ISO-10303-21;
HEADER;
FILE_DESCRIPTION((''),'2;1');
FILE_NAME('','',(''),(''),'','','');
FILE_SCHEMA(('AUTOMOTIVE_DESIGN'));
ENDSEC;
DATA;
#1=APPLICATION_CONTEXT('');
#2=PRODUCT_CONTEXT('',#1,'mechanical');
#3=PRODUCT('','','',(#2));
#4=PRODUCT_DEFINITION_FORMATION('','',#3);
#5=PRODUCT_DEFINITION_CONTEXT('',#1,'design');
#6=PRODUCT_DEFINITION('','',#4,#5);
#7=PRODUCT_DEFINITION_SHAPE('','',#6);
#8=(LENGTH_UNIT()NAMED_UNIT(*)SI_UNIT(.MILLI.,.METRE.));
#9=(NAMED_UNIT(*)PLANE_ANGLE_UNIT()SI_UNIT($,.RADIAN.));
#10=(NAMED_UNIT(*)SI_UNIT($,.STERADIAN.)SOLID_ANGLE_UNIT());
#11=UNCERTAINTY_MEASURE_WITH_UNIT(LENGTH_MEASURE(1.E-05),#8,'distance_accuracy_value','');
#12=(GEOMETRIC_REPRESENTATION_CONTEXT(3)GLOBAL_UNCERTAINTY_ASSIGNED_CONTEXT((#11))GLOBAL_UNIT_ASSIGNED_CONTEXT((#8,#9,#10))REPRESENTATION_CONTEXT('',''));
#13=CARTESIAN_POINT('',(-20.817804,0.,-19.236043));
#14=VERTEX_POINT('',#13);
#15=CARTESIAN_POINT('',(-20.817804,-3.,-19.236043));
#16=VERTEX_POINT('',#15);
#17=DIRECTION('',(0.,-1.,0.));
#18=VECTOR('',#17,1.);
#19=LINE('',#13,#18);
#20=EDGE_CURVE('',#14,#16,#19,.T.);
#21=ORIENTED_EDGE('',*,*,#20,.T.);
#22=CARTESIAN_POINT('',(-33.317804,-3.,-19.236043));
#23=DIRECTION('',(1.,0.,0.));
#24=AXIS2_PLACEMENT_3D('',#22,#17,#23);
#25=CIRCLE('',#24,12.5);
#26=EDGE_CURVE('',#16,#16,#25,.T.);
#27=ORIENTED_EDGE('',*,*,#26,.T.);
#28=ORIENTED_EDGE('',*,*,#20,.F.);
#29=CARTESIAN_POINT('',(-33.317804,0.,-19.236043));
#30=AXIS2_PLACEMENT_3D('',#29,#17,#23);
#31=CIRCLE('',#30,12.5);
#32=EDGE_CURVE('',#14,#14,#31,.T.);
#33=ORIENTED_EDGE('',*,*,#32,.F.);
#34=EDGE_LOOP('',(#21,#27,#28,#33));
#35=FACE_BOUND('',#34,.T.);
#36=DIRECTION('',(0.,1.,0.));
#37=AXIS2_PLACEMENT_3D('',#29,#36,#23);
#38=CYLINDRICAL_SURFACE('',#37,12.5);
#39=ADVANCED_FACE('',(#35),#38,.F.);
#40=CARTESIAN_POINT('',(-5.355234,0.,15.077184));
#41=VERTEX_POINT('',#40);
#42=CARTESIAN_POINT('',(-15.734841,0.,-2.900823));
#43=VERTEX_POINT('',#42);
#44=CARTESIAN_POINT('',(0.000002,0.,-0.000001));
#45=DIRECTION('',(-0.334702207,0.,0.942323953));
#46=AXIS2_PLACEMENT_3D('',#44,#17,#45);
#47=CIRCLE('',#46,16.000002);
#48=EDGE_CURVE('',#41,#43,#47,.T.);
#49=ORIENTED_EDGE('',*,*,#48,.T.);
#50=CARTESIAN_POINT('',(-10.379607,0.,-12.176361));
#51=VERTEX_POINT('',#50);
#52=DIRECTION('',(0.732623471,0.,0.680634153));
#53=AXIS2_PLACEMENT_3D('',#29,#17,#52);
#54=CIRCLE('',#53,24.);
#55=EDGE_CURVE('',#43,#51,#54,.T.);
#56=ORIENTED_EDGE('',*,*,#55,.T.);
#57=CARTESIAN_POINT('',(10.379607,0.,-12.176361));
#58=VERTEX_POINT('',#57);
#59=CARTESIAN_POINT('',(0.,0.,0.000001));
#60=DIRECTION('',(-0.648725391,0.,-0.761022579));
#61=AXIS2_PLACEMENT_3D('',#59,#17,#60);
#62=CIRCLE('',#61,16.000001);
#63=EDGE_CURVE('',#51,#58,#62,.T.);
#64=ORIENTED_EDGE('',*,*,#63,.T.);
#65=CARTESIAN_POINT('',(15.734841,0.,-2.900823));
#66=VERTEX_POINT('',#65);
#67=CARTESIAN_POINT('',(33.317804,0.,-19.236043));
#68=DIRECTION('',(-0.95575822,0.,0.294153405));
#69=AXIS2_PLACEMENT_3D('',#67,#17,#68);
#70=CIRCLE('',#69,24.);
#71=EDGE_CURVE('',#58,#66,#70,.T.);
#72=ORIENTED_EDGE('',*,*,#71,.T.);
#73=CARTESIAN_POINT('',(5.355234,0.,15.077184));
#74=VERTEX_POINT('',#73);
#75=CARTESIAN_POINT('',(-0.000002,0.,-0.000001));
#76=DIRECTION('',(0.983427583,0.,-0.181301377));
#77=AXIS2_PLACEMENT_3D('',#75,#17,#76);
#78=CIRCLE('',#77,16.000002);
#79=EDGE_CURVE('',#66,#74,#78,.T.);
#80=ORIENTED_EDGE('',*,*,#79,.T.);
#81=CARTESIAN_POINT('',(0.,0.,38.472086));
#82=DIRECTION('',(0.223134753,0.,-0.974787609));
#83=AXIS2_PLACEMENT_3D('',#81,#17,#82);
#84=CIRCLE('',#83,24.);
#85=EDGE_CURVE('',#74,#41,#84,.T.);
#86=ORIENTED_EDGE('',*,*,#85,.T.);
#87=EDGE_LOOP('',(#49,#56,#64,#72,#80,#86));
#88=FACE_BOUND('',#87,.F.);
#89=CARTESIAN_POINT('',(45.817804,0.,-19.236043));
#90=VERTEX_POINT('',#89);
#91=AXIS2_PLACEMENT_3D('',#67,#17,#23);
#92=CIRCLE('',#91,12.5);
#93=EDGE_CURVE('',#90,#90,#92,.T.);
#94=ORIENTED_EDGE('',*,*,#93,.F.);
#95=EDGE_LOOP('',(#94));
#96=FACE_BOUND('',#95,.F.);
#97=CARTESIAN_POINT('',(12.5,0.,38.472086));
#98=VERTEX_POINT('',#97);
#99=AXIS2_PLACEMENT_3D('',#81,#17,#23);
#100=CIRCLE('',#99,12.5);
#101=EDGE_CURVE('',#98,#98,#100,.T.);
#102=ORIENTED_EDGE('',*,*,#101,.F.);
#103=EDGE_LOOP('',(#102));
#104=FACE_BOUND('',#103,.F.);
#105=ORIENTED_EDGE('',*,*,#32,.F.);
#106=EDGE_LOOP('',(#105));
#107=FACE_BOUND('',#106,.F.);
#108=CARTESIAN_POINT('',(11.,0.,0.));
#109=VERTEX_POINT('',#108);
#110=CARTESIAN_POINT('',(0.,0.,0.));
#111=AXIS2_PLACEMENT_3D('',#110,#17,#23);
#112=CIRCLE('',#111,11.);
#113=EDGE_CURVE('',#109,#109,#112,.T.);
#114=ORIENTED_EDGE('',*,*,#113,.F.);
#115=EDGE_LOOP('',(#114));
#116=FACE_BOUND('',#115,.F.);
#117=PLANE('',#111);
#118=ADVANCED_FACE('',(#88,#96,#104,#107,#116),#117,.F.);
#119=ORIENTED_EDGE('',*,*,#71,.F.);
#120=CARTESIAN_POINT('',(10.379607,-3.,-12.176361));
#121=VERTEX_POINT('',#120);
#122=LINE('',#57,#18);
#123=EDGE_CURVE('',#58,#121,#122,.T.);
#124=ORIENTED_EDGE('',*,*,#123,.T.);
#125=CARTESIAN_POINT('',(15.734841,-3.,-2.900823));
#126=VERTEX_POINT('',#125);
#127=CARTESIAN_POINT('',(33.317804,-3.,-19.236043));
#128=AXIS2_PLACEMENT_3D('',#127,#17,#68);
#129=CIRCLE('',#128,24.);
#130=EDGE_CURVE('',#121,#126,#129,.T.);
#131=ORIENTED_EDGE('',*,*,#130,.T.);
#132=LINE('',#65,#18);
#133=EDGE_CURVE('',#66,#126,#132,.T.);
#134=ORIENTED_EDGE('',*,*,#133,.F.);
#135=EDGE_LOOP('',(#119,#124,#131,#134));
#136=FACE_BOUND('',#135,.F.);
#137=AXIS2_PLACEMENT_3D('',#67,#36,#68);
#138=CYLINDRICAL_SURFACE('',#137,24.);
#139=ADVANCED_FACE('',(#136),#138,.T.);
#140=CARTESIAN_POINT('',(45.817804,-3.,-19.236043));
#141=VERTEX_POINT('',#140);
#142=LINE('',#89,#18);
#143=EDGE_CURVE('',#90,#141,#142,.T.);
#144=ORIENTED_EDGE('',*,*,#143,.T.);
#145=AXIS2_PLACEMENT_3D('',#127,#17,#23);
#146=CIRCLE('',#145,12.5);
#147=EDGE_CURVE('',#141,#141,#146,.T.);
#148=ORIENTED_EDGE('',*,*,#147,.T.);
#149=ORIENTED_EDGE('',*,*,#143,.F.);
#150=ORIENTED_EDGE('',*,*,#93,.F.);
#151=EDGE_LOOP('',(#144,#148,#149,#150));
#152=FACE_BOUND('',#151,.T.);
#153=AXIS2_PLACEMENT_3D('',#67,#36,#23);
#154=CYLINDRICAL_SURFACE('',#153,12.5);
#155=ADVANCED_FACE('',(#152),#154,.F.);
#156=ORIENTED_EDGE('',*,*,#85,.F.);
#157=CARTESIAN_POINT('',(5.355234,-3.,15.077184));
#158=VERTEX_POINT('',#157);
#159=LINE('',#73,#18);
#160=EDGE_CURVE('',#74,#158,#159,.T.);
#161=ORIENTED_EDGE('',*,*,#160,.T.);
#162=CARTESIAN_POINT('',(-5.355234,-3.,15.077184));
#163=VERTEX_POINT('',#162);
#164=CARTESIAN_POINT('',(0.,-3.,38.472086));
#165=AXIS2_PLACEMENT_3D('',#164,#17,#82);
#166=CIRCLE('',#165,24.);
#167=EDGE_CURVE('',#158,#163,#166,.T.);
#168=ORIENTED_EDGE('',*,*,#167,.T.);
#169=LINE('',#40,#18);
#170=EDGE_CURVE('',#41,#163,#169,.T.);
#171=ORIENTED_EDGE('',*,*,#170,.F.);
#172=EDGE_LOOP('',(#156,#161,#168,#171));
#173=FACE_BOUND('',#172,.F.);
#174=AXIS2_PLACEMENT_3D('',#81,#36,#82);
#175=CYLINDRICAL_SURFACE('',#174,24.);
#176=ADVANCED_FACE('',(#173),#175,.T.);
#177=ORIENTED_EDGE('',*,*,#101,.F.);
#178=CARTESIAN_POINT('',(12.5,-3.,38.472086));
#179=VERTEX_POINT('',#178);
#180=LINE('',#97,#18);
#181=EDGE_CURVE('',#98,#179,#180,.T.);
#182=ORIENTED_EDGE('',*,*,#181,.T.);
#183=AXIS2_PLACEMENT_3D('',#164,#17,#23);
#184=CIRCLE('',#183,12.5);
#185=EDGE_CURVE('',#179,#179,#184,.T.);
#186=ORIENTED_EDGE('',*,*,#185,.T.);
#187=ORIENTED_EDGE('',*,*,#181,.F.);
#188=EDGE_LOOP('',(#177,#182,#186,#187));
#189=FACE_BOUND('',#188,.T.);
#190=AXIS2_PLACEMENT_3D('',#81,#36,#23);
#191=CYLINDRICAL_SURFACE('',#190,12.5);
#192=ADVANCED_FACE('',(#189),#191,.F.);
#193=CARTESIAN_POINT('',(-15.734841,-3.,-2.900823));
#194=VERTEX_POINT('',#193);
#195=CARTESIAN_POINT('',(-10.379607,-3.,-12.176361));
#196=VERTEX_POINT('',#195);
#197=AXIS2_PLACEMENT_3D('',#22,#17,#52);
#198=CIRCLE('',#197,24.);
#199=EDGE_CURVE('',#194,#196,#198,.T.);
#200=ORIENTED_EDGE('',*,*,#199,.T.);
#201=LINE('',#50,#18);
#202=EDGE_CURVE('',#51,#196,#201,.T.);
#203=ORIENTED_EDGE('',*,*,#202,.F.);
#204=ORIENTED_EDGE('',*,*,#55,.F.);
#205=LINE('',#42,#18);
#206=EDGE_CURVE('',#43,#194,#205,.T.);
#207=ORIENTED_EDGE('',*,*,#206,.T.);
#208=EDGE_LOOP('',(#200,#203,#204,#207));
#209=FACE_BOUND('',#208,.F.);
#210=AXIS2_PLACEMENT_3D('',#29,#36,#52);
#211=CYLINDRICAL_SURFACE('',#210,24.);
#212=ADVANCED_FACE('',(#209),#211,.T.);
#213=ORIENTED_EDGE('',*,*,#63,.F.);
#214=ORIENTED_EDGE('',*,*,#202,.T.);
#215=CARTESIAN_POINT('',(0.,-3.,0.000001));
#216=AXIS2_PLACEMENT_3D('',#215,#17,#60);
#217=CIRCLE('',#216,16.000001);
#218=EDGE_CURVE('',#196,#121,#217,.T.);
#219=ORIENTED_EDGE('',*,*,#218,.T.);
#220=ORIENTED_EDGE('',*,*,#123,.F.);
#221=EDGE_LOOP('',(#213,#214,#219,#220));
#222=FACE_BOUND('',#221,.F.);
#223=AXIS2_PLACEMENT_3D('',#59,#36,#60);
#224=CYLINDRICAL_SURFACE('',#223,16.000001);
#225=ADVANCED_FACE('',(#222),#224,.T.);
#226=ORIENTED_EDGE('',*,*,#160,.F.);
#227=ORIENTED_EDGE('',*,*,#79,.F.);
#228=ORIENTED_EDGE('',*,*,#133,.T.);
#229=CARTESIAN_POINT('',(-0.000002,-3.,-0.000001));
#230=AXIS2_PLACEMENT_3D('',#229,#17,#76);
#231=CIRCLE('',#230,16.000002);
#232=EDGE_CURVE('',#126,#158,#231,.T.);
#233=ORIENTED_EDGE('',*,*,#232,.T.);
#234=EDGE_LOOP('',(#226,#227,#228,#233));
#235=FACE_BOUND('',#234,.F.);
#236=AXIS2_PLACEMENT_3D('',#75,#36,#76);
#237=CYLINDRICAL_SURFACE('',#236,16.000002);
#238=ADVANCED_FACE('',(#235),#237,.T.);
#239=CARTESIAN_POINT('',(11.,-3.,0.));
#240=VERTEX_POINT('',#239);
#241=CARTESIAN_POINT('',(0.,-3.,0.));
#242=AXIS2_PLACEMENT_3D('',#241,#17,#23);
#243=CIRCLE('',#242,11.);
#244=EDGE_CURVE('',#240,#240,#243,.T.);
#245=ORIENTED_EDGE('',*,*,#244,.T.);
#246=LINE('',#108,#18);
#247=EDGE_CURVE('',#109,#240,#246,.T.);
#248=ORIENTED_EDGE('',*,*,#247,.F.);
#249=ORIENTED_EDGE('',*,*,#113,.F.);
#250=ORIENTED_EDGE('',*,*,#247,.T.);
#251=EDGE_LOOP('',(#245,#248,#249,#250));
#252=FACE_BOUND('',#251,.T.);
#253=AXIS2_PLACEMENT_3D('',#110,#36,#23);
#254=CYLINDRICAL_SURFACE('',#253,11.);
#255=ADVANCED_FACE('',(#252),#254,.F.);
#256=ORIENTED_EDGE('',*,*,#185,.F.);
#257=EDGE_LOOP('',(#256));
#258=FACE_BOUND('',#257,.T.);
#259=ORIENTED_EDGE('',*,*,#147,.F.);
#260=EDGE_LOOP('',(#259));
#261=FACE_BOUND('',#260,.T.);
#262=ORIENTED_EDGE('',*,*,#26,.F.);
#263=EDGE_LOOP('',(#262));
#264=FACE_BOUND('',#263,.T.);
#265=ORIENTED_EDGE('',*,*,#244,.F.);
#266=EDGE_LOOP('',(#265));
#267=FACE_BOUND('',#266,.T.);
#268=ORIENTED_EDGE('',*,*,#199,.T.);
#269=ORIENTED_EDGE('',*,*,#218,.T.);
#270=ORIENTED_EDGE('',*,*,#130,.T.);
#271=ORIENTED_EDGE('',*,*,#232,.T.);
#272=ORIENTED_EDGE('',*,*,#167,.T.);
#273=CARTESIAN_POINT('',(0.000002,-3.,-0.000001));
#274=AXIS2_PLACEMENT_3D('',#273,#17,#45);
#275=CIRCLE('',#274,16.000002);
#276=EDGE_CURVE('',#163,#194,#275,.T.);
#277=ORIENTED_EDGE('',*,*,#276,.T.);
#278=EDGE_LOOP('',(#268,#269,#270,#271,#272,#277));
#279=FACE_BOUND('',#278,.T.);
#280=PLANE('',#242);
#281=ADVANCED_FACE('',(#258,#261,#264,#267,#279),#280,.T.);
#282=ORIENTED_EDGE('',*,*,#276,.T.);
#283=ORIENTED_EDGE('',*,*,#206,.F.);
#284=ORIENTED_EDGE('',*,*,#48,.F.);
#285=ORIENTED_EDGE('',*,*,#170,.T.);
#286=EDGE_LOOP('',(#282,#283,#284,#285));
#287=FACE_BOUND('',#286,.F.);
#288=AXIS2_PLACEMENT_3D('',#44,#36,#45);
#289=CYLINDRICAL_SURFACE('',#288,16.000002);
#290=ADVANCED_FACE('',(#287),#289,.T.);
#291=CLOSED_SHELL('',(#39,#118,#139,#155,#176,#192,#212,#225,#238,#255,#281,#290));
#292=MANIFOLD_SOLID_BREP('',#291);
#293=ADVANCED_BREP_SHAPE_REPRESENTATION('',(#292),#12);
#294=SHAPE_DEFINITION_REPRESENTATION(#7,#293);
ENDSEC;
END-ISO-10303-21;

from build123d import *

# Parameters (mm, degrees)
F0_R     = 12.5
F0_R_2   = 11
F1_DEPTH = 3


with BuildPart() as f1:
    # F0 (on Front) → F1 (new body)
    with BuildSketch(Plane.XZ):
        with BuildLine():
            ThreePointArc((5.355234, 15.077184), (0, 62.472086), (-5.355234, 15.077184))
            ThreePointArc((-5.355234, 15.077184), (-13.856406, 8), (-15.734841, -2.900823))
            ThreePointArc((-15.734841, -2.900823), (-54.102414, -31.236043), (-10.379607, -12.176361))
            ThreePointArc((-10.379607, -12.176361), (0, -16), (10.379607, -12.176361))
            ThreePointArc((10.379607, -12.176361), (54.102414, -31.236043), (15.734841, -2.900823))
            ThreePointArc((15.734841, -2.900823), (13.856406, 8), (5.355234, 15.077184))
        make_face()
        with Locations((-33.317804, -19.236043)):
            Circle(F0_R, mode=Mode.SUBTRACT)
        with Locations((33.317804, -19.236043)):
            Circle(F0_R, mode=Mode.SUBTRACT)
        Circle(F0_R_2, mode=Mode.SUBTRACT)
        with Locations((0, 38.472086)):
            Circle(F0_R, mode=Mode.SUBTRACT)
    extrude(amount=F1_DEPTH)


solid = f1.part
